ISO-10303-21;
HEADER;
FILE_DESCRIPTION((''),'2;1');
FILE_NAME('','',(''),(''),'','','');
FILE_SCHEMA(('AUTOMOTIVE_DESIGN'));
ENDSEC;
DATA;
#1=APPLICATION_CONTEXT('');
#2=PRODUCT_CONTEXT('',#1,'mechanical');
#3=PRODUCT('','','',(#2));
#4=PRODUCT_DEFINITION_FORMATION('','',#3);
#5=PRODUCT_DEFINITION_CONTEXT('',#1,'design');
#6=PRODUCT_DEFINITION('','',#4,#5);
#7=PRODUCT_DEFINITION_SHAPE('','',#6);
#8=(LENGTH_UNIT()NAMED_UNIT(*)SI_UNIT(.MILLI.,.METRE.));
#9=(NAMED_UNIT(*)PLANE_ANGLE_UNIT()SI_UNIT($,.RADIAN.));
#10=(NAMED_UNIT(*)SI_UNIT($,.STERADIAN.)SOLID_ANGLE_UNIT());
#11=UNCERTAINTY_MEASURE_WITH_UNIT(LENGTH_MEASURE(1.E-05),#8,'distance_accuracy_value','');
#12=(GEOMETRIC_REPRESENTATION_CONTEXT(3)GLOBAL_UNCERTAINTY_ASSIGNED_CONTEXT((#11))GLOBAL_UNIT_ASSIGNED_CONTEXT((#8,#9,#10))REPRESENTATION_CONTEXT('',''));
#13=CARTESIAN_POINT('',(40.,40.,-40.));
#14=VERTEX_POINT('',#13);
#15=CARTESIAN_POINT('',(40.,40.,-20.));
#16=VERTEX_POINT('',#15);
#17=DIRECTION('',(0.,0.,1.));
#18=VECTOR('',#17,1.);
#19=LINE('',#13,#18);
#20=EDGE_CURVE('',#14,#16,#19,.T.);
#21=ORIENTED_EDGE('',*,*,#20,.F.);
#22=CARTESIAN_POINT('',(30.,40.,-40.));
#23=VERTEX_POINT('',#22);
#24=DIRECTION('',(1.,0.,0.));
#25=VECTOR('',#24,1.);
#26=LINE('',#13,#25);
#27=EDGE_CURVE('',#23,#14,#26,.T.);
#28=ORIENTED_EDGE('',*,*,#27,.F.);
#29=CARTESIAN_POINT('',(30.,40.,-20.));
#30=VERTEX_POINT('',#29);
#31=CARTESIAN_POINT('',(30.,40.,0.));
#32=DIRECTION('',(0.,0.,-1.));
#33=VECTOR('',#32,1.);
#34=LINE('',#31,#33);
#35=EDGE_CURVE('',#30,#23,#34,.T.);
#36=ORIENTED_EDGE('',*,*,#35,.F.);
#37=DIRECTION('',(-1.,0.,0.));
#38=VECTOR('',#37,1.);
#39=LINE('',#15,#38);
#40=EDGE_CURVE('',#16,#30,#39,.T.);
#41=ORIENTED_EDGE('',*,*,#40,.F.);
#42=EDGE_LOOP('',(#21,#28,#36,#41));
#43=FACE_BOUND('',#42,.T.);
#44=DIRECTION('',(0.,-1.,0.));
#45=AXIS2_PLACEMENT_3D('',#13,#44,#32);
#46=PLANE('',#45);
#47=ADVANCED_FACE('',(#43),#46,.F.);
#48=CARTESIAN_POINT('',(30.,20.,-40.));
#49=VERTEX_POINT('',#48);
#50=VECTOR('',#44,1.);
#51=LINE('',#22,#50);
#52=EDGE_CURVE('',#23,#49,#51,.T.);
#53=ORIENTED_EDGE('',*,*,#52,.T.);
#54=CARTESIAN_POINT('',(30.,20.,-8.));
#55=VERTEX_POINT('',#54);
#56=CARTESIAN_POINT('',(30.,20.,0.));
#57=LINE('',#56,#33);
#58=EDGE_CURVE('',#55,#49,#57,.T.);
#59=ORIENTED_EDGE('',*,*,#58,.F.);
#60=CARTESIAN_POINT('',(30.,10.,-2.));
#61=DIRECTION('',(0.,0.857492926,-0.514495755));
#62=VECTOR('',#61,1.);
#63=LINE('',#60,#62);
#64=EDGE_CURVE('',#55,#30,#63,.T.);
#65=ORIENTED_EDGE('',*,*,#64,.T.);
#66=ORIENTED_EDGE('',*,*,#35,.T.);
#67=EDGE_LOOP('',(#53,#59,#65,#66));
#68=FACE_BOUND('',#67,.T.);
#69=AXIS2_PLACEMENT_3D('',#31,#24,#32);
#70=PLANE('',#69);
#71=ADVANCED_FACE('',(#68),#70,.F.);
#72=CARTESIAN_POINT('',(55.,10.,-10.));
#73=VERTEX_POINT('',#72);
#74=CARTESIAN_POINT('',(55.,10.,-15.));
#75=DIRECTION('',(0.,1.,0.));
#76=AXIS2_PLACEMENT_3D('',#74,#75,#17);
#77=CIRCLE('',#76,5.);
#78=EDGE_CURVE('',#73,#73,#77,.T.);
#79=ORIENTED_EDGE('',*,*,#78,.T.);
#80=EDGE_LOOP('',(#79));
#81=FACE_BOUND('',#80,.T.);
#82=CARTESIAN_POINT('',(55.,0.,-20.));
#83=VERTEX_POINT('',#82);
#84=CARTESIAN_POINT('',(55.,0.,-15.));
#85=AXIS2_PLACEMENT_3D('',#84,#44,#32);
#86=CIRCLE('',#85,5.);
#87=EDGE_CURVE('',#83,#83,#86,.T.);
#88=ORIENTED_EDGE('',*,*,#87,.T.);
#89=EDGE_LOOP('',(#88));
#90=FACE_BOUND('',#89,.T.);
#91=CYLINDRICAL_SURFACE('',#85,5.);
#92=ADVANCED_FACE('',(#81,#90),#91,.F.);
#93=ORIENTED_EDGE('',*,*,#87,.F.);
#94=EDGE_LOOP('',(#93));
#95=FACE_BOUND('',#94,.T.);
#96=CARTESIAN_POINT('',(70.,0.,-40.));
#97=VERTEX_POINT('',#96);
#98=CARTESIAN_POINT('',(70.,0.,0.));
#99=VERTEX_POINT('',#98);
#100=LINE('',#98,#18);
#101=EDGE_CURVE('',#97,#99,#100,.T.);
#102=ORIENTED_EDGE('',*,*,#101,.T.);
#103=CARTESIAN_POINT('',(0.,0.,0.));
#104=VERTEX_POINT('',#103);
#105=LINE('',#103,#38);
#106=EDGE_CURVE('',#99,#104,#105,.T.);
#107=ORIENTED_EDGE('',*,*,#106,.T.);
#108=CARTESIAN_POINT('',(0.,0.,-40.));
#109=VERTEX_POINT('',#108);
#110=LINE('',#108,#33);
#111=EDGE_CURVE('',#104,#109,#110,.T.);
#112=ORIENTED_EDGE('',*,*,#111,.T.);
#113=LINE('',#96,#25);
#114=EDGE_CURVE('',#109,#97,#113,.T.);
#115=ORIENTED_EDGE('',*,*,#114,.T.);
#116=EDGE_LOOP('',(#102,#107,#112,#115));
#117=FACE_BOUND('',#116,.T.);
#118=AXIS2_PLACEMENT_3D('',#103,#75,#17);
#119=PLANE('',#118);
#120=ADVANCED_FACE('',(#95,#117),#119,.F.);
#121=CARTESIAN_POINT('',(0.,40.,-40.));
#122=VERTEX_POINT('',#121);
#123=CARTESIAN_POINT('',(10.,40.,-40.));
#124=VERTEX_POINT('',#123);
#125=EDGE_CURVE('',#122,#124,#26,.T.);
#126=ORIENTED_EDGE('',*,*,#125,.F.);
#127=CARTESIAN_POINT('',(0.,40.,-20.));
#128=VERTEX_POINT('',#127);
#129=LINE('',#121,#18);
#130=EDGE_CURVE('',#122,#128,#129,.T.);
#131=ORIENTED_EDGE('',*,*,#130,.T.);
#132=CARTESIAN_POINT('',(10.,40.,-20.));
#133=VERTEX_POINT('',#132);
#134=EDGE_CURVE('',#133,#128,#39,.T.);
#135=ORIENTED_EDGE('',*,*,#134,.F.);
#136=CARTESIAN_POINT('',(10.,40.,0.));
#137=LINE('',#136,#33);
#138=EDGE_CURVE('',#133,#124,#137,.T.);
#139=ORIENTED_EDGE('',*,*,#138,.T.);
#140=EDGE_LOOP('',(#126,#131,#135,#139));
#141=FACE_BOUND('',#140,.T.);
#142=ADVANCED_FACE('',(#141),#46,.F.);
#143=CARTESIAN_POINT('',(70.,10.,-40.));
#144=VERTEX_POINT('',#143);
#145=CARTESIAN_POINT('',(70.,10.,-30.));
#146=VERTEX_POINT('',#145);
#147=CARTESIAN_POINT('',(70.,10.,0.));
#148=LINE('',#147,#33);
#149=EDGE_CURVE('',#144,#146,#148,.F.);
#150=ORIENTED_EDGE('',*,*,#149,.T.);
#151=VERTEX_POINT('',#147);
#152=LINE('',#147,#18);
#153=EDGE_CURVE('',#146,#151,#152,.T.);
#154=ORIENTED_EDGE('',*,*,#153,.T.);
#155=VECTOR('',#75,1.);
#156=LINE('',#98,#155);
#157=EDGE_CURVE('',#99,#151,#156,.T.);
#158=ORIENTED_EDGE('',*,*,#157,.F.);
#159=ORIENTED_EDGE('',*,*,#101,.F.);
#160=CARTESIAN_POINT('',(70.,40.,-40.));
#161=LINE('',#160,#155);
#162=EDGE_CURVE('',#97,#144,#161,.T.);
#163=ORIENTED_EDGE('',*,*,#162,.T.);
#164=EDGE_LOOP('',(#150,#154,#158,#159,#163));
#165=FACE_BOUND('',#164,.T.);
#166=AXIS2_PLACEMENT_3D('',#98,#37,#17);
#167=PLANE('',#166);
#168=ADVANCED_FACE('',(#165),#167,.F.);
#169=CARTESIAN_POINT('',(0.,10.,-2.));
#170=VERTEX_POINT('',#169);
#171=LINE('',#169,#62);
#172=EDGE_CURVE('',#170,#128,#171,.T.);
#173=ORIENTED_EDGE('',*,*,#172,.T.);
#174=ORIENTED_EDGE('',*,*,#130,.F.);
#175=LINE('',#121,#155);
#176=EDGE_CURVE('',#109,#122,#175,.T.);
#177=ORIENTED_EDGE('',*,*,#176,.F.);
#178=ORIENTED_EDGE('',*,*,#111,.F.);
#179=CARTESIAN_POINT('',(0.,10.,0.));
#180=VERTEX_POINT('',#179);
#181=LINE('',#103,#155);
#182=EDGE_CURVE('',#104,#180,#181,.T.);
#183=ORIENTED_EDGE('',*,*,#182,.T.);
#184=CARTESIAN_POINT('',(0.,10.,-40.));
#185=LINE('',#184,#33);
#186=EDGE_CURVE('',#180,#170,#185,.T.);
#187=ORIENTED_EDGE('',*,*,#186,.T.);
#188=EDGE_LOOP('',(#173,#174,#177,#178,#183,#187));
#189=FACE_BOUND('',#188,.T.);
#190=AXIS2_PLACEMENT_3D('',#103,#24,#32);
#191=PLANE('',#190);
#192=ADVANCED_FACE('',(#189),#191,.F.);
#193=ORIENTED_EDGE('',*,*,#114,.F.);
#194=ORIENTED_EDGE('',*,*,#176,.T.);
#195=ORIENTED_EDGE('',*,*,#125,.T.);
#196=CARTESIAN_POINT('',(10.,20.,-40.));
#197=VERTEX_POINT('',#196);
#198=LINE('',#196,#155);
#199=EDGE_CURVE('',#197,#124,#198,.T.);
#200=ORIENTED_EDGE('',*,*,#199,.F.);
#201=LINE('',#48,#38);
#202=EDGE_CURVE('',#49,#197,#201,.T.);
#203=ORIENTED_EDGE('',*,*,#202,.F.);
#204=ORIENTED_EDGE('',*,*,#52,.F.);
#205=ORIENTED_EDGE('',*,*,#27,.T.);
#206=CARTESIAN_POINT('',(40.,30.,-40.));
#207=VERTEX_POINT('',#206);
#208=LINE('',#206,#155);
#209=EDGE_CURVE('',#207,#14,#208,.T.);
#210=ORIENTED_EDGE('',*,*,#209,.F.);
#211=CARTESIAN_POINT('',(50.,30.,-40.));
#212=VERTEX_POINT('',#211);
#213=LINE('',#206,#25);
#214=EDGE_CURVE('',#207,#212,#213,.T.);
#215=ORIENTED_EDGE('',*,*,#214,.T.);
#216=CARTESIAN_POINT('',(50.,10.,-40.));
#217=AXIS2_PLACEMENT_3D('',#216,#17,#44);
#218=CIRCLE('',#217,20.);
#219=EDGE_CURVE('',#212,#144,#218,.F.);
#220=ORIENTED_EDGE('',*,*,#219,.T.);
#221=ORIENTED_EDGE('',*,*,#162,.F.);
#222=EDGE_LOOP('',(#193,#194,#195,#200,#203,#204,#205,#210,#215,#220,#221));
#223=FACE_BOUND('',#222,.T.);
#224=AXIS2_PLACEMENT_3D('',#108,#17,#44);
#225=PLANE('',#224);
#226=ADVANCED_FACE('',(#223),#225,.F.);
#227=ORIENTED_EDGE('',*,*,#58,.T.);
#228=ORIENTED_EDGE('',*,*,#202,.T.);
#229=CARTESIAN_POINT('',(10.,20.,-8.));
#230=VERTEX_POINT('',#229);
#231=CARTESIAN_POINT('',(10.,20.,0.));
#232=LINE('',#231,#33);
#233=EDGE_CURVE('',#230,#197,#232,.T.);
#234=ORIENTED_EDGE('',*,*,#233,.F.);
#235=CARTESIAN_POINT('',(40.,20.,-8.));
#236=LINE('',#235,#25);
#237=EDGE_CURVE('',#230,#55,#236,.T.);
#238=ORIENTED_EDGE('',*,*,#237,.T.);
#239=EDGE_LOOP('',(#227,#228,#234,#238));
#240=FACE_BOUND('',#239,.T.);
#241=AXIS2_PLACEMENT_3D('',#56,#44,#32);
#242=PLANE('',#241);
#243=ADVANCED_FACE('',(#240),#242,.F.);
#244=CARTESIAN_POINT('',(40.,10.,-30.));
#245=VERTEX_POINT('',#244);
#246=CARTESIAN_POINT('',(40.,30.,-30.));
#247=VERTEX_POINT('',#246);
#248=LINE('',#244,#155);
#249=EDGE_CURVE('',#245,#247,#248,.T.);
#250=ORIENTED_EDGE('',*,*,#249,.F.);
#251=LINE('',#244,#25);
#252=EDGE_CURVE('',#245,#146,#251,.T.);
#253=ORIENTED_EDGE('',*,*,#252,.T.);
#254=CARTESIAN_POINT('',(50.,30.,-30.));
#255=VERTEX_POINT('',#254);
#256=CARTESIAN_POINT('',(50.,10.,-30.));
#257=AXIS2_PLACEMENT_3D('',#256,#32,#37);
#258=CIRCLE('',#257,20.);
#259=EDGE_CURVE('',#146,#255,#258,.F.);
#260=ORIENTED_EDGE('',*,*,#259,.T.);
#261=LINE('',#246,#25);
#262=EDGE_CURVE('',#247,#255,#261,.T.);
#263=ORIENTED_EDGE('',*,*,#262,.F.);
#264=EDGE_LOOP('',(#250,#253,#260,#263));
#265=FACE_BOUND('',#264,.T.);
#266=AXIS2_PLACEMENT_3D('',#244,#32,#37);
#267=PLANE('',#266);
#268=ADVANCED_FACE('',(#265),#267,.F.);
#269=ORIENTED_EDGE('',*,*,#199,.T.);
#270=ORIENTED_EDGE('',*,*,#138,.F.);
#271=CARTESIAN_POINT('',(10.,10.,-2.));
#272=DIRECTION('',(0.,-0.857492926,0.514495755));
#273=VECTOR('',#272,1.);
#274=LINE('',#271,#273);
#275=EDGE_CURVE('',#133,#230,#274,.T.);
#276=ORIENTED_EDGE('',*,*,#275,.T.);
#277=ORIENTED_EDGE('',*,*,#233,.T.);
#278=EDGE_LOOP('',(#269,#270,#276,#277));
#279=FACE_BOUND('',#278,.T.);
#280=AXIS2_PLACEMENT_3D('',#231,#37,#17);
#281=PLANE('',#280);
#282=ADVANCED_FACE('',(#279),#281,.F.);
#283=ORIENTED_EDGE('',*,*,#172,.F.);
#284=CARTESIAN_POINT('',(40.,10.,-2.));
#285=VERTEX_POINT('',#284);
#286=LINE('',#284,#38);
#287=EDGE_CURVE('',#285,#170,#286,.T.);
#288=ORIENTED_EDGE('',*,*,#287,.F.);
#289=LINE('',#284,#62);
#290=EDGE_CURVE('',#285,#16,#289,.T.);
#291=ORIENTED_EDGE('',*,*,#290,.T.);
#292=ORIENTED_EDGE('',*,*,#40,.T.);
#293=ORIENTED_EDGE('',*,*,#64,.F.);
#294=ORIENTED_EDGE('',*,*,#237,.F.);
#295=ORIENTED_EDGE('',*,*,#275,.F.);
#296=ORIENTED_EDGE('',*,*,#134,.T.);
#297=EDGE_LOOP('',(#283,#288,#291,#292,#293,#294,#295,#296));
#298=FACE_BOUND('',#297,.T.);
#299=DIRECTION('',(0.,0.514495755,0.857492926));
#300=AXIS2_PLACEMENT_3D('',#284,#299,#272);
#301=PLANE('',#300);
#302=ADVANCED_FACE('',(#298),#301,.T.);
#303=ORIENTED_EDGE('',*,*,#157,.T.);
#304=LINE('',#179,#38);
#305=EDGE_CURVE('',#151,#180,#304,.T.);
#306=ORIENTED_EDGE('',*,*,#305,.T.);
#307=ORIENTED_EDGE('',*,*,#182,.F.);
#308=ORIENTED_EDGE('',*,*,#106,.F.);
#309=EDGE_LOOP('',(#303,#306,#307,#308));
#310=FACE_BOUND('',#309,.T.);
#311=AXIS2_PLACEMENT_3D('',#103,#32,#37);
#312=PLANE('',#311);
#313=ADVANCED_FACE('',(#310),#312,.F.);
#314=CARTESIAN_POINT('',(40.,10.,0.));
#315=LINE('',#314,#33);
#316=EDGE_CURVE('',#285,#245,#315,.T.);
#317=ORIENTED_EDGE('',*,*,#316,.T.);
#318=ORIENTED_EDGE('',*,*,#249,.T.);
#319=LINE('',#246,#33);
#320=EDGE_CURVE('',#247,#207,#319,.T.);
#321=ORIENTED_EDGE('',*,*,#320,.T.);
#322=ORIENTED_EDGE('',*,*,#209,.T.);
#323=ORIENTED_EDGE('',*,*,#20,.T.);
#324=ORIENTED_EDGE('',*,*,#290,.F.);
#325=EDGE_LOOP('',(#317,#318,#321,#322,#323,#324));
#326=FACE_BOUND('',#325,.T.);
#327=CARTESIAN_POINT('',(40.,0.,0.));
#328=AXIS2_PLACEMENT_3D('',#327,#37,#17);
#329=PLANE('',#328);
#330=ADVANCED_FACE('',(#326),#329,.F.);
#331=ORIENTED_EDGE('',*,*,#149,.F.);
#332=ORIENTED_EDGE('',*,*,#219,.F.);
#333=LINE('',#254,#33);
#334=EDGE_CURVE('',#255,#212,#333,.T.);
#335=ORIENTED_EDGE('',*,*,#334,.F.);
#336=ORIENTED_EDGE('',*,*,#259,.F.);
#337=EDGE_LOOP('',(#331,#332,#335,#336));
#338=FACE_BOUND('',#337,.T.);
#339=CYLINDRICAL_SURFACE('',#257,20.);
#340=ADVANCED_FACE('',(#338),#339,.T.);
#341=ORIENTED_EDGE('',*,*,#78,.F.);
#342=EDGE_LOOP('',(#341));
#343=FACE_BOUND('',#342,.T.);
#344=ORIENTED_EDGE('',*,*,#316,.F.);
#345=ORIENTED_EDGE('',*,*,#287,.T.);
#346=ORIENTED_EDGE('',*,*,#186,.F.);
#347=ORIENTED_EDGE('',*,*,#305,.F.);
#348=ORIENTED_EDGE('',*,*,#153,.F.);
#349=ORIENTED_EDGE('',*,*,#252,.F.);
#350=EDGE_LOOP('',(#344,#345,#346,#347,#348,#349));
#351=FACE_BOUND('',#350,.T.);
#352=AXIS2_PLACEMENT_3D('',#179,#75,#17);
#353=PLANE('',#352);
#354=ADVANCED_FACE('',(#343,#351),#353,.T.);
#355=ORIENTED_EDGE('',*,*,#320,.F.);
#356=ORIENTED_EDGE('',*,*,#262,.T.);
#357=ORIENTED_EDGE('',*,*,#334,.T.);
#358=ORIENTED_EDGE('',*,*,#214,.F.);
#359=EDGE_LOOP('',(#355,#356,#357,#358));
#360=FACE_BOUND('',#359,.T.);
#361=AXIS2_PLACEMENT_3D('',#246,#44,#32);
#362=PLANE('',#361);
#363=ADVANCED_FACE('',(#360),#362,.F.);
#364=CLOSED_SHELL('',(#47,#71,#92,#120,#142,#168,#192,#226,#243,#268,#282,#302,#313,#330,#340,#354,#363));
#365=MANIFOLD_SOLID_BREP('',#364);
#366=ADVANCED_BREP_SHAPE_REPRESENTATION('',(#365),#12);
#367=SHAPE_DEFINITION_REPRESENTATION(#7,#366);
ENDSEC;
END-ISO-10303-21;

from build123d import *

# Parameters (mm, degrees)
BOSS_EXTRUDE1_DEPTH            = 40
SKETCH2_W                      = 40
SKETCH2_H                      = 30
BOSS_EXTRUDE2_DEPTH            = 20
BOSS_EXTRUDE3_DEPTH            = 30
CUT_EXTRUDE1_DEPTH             = 30
SKETCH5_W                      = 70
SKETCH5_H                      = 40
BOSS_EXTRUDE4_DEPTH            = 10
SKETCH6_W                      = 20
SKETCH6_H                      = 20
CUT_EXTRUDE2_DEPTH             = 41
F_10_0_10_DIAMETER_HOLE1_D     = 10
F_10_0_10_DIAMETER_HOLE1_DEPTH = 40
FILLET1_R                      = 20


with BuildPart() as part:
    # Sketch1 → Boss-Extrude1 (new body)
    with BuildSketch(Plane(origin=(0, 0, 0), x_dir=(0, -1, 0), z_dir=(-1, 0, 0))):
        Polygon((-10, -2), (-40, -20), (-10, -20), align=None)
    extrude(amount=-BOSS_EXTRUDE1_DEPTH)

    # Sketch2 → Boss-Extrude2 (add)
    with BuildSketch(Plane(origin=(0, 0, -20), x_dir=(-1, 0, 0), z_dir=(0, 0, -1))):
        with Locations((-20, 25)):
            Rectangle(SKETCH2_W, SKETCH2_H)
    extrude(amount=BOSS_EXTRUDE2_DEPTH)

    # Sketch3 → Boss-Extrude3 (add)
    with BuildSketch(Plane(origin=(40, 0, 0), x_dir=(0, 0, -1), z_dir=(1, 0, 0))):
        Polygon((40, 10), (0, 10), (20, 40), (40, 40), align=None)
    extrude(amount=BOSS_EXTRUDE3_DEPTH)

    # Sketch4 → Cut-Extrude1 (cut)
    with BuildSketch(Plane(origin=(70, 0, 0), x_dir=(0, 0, -1), z_dir=(1, 0, 0))):
        Polygon((20, 40), (0, 10), (30, 10), (30, 30), (40, 30), (40, 40), align=None)
    extrude(amount=-CUT_EXTRUDE1_DEPTH, mode=Mode.SUBTRACT)

    # Sketch5 → Boss-Extrude4 (add)
    with BuildSketch(Plane.XZ.offset(-10)):
        with Locations((35, -20)):
            Rectangle(SKETCH5_W, SKETCH5_H)
    extrude(amount=BOSS_EXTRUDE4_DEPTH)

    # Sketch6 → Cut-Extrude2 (cut, through all)
    with BuildSketch(Plane(origin=(0, 0, -40), x_dir=(-1, 0, 0), z_dir=(0, 0, -1))):
        with Locations((-20, 30)):
            Rectangle(SKETCH6_W, SKETCH6_H)
    extrude(amount=-CUT_EXTRUDE2_DEPTH, mode=Mode.SUBTRACT)

    # Ø10.0 (10) Diameter Hole1
    with Locations(Plane(origin=(0, 0, 0), x_dir=(-1, 0, 0), z_dir=(0, -1, 0))):
        with Locations((-55, 15)):
            Hole(F_10_0_10_DIAMETER_HOLE1_D / 2, depth=F_10_0_10_DIAMETER_HOLE1_DEPTH)

    # Fillet1
    fillet1_edges = [part.edges().sort_by_distance(p)[0] for p in [
        (70, 30, -35),
    ]]
    fillet(fillet1_edges, radius=FILLET1_R)


solid = part.part
